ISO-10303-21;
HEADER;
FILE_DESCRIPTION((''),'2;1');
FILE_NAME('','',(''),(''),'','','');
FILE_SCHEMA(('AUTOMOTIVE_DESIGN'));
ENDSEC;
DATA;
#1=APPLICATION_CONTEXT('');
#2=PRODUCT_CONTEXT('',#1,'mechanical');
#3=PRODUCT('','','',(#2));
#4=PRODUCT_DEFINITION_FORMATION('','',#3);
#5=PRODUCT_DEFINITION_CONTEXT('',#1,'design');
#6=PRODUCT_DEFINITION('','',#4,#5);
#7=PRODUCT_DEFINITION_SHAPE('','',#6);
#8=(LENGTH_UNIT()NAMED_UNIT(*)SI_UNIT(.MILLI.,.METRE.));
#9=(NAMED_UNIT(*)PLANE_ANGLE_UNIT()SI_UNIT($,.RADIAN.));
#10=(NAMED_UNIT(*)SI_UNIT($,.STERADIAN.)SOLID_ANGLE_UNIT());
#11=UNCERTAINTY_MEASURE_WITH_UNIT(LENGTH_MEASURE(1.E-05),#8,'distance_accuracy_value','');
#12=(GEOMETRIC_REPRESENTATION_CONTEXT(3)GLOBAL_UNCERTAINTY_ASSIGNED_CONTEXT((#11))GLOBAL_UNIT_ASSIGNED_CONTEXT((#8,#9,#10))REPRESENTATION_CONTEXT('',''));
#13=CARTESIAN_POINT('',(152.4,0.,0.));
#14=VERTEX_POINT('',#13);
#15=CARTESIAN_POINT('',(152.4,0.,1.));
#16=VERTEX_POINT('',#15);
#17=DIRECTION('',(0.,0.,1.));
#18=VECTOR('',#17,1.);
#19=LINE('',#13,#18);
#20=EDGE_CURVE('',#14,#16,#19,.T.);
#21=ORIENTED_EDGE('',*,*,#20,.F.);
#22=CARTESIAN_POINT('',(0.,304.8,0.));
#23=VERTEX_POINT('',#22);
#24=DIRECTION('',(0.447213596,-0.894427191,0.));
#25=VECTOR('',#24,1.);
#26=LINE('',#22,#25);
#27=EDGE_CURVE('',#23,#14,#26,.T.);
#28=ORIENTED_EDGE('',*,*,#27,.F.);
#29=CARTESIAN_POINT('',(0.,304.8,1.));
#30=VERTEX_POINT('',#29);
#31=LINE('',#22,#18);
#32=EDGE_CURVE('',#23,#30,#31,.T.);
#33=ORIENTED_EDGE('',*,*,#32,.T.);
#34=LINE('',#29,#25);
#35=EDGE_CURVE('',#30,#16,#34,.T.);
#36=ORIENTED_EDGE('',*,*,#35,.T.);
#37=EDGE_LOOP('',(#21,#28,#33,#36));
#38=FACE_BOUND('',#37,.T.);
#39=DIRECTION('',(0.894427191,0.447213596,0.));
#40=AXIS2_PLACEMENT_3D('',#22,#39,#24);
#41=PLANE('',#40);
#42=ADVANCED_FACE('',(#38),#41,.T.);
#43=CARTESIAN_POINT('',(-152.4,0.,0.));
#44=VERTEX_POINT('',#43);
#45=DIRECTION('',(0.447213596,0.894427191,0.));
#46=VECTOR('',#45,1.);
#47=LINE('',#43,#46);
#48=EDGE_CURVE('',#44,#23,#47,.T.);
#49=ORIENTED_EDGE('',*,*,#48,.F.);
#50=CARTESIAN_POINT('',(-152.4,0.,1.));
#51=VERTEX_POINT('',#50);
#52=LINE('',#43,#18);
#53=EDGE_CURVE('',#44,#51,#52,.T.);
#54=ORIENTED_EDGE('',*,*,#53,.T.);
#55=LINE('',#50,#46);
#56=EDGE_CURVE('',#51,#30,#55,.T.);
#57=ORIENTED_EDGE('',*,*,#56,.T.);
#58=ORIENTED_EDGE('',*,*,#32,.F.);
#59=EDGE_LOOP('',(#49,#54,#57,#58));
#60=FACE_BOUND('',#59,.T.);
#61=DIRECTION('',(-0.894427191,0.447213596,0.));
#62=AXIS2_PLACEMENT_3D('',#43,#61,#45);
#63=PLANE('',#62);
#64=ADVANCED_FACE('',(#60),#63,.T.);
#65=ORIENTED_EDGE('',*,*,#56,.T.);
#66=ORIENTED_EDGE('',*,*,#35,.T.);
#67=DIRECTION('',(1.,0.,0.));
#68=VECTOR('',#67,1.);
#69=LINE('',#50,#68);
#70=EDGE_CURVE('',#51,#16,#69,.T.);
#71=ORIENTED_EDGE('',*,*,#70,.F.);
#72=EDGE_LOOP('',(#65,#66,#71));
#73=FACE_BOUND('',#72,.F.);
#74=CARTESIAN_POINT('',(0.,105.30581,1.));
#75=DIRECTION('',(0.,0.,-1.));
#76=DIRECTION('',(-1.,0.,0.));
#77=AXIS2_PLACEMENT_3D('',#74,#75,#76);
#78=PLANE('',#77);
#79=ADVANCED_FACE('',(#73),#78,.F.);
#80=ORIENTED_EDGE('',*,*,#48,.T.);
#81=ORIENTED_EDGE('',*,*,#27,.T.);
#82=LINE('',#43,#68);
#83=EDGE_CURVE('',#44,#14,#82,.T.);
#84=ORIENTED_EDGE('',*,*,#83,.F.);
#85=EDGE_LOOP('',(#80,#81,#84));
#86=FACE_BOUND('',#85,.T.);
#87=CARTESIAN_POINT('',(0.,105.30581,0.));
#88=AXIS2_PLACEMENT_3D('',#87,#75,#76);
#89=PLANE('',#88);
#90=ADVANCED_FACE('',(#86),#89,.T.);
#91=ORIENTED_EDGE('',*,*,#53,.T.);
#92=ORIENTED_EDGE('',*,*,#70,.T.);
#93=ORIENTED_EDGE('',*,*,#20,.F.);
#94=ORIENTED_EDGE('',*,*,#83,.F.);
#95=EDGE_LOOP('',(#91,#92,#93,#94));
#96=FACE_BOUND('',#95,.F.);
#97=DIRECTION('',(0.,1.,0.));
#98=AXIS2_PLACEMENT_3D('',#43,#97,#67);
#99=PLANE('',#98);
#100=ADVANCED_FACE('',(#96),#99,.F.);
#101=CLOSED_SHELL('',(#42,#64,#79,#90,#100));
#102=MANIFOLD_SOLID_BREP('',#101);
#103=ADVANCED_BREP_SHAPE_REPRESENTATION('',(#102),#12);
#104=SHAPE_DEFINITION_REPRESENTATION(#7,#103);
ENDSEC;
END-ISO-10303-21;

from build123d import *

# Parameters (mm, degrees)
PAD_DEPTH    = 1
PAD001_DEPTH = 1


with BuildPart() as part:
    # Sketch → Pad (new body)
    with BuildSketch(Plane.XY):
        Polygon((-152.4, 0), (0, 304.8), (152.4, 0), (0, 0), align=None)
    extrude(amount=PAD_DEPTH)

    # Sketch001 (on Face6 of Pad) → Pad001 (join)
    with BuildSketch(Plane.XY.offset(1)):
        Polygon((-152.4, 0), (0, 160), (152.4, 0), (0, 304.8), align=None)
    extrude(amount=-PAD001_DEPTH)


solid = part.part
